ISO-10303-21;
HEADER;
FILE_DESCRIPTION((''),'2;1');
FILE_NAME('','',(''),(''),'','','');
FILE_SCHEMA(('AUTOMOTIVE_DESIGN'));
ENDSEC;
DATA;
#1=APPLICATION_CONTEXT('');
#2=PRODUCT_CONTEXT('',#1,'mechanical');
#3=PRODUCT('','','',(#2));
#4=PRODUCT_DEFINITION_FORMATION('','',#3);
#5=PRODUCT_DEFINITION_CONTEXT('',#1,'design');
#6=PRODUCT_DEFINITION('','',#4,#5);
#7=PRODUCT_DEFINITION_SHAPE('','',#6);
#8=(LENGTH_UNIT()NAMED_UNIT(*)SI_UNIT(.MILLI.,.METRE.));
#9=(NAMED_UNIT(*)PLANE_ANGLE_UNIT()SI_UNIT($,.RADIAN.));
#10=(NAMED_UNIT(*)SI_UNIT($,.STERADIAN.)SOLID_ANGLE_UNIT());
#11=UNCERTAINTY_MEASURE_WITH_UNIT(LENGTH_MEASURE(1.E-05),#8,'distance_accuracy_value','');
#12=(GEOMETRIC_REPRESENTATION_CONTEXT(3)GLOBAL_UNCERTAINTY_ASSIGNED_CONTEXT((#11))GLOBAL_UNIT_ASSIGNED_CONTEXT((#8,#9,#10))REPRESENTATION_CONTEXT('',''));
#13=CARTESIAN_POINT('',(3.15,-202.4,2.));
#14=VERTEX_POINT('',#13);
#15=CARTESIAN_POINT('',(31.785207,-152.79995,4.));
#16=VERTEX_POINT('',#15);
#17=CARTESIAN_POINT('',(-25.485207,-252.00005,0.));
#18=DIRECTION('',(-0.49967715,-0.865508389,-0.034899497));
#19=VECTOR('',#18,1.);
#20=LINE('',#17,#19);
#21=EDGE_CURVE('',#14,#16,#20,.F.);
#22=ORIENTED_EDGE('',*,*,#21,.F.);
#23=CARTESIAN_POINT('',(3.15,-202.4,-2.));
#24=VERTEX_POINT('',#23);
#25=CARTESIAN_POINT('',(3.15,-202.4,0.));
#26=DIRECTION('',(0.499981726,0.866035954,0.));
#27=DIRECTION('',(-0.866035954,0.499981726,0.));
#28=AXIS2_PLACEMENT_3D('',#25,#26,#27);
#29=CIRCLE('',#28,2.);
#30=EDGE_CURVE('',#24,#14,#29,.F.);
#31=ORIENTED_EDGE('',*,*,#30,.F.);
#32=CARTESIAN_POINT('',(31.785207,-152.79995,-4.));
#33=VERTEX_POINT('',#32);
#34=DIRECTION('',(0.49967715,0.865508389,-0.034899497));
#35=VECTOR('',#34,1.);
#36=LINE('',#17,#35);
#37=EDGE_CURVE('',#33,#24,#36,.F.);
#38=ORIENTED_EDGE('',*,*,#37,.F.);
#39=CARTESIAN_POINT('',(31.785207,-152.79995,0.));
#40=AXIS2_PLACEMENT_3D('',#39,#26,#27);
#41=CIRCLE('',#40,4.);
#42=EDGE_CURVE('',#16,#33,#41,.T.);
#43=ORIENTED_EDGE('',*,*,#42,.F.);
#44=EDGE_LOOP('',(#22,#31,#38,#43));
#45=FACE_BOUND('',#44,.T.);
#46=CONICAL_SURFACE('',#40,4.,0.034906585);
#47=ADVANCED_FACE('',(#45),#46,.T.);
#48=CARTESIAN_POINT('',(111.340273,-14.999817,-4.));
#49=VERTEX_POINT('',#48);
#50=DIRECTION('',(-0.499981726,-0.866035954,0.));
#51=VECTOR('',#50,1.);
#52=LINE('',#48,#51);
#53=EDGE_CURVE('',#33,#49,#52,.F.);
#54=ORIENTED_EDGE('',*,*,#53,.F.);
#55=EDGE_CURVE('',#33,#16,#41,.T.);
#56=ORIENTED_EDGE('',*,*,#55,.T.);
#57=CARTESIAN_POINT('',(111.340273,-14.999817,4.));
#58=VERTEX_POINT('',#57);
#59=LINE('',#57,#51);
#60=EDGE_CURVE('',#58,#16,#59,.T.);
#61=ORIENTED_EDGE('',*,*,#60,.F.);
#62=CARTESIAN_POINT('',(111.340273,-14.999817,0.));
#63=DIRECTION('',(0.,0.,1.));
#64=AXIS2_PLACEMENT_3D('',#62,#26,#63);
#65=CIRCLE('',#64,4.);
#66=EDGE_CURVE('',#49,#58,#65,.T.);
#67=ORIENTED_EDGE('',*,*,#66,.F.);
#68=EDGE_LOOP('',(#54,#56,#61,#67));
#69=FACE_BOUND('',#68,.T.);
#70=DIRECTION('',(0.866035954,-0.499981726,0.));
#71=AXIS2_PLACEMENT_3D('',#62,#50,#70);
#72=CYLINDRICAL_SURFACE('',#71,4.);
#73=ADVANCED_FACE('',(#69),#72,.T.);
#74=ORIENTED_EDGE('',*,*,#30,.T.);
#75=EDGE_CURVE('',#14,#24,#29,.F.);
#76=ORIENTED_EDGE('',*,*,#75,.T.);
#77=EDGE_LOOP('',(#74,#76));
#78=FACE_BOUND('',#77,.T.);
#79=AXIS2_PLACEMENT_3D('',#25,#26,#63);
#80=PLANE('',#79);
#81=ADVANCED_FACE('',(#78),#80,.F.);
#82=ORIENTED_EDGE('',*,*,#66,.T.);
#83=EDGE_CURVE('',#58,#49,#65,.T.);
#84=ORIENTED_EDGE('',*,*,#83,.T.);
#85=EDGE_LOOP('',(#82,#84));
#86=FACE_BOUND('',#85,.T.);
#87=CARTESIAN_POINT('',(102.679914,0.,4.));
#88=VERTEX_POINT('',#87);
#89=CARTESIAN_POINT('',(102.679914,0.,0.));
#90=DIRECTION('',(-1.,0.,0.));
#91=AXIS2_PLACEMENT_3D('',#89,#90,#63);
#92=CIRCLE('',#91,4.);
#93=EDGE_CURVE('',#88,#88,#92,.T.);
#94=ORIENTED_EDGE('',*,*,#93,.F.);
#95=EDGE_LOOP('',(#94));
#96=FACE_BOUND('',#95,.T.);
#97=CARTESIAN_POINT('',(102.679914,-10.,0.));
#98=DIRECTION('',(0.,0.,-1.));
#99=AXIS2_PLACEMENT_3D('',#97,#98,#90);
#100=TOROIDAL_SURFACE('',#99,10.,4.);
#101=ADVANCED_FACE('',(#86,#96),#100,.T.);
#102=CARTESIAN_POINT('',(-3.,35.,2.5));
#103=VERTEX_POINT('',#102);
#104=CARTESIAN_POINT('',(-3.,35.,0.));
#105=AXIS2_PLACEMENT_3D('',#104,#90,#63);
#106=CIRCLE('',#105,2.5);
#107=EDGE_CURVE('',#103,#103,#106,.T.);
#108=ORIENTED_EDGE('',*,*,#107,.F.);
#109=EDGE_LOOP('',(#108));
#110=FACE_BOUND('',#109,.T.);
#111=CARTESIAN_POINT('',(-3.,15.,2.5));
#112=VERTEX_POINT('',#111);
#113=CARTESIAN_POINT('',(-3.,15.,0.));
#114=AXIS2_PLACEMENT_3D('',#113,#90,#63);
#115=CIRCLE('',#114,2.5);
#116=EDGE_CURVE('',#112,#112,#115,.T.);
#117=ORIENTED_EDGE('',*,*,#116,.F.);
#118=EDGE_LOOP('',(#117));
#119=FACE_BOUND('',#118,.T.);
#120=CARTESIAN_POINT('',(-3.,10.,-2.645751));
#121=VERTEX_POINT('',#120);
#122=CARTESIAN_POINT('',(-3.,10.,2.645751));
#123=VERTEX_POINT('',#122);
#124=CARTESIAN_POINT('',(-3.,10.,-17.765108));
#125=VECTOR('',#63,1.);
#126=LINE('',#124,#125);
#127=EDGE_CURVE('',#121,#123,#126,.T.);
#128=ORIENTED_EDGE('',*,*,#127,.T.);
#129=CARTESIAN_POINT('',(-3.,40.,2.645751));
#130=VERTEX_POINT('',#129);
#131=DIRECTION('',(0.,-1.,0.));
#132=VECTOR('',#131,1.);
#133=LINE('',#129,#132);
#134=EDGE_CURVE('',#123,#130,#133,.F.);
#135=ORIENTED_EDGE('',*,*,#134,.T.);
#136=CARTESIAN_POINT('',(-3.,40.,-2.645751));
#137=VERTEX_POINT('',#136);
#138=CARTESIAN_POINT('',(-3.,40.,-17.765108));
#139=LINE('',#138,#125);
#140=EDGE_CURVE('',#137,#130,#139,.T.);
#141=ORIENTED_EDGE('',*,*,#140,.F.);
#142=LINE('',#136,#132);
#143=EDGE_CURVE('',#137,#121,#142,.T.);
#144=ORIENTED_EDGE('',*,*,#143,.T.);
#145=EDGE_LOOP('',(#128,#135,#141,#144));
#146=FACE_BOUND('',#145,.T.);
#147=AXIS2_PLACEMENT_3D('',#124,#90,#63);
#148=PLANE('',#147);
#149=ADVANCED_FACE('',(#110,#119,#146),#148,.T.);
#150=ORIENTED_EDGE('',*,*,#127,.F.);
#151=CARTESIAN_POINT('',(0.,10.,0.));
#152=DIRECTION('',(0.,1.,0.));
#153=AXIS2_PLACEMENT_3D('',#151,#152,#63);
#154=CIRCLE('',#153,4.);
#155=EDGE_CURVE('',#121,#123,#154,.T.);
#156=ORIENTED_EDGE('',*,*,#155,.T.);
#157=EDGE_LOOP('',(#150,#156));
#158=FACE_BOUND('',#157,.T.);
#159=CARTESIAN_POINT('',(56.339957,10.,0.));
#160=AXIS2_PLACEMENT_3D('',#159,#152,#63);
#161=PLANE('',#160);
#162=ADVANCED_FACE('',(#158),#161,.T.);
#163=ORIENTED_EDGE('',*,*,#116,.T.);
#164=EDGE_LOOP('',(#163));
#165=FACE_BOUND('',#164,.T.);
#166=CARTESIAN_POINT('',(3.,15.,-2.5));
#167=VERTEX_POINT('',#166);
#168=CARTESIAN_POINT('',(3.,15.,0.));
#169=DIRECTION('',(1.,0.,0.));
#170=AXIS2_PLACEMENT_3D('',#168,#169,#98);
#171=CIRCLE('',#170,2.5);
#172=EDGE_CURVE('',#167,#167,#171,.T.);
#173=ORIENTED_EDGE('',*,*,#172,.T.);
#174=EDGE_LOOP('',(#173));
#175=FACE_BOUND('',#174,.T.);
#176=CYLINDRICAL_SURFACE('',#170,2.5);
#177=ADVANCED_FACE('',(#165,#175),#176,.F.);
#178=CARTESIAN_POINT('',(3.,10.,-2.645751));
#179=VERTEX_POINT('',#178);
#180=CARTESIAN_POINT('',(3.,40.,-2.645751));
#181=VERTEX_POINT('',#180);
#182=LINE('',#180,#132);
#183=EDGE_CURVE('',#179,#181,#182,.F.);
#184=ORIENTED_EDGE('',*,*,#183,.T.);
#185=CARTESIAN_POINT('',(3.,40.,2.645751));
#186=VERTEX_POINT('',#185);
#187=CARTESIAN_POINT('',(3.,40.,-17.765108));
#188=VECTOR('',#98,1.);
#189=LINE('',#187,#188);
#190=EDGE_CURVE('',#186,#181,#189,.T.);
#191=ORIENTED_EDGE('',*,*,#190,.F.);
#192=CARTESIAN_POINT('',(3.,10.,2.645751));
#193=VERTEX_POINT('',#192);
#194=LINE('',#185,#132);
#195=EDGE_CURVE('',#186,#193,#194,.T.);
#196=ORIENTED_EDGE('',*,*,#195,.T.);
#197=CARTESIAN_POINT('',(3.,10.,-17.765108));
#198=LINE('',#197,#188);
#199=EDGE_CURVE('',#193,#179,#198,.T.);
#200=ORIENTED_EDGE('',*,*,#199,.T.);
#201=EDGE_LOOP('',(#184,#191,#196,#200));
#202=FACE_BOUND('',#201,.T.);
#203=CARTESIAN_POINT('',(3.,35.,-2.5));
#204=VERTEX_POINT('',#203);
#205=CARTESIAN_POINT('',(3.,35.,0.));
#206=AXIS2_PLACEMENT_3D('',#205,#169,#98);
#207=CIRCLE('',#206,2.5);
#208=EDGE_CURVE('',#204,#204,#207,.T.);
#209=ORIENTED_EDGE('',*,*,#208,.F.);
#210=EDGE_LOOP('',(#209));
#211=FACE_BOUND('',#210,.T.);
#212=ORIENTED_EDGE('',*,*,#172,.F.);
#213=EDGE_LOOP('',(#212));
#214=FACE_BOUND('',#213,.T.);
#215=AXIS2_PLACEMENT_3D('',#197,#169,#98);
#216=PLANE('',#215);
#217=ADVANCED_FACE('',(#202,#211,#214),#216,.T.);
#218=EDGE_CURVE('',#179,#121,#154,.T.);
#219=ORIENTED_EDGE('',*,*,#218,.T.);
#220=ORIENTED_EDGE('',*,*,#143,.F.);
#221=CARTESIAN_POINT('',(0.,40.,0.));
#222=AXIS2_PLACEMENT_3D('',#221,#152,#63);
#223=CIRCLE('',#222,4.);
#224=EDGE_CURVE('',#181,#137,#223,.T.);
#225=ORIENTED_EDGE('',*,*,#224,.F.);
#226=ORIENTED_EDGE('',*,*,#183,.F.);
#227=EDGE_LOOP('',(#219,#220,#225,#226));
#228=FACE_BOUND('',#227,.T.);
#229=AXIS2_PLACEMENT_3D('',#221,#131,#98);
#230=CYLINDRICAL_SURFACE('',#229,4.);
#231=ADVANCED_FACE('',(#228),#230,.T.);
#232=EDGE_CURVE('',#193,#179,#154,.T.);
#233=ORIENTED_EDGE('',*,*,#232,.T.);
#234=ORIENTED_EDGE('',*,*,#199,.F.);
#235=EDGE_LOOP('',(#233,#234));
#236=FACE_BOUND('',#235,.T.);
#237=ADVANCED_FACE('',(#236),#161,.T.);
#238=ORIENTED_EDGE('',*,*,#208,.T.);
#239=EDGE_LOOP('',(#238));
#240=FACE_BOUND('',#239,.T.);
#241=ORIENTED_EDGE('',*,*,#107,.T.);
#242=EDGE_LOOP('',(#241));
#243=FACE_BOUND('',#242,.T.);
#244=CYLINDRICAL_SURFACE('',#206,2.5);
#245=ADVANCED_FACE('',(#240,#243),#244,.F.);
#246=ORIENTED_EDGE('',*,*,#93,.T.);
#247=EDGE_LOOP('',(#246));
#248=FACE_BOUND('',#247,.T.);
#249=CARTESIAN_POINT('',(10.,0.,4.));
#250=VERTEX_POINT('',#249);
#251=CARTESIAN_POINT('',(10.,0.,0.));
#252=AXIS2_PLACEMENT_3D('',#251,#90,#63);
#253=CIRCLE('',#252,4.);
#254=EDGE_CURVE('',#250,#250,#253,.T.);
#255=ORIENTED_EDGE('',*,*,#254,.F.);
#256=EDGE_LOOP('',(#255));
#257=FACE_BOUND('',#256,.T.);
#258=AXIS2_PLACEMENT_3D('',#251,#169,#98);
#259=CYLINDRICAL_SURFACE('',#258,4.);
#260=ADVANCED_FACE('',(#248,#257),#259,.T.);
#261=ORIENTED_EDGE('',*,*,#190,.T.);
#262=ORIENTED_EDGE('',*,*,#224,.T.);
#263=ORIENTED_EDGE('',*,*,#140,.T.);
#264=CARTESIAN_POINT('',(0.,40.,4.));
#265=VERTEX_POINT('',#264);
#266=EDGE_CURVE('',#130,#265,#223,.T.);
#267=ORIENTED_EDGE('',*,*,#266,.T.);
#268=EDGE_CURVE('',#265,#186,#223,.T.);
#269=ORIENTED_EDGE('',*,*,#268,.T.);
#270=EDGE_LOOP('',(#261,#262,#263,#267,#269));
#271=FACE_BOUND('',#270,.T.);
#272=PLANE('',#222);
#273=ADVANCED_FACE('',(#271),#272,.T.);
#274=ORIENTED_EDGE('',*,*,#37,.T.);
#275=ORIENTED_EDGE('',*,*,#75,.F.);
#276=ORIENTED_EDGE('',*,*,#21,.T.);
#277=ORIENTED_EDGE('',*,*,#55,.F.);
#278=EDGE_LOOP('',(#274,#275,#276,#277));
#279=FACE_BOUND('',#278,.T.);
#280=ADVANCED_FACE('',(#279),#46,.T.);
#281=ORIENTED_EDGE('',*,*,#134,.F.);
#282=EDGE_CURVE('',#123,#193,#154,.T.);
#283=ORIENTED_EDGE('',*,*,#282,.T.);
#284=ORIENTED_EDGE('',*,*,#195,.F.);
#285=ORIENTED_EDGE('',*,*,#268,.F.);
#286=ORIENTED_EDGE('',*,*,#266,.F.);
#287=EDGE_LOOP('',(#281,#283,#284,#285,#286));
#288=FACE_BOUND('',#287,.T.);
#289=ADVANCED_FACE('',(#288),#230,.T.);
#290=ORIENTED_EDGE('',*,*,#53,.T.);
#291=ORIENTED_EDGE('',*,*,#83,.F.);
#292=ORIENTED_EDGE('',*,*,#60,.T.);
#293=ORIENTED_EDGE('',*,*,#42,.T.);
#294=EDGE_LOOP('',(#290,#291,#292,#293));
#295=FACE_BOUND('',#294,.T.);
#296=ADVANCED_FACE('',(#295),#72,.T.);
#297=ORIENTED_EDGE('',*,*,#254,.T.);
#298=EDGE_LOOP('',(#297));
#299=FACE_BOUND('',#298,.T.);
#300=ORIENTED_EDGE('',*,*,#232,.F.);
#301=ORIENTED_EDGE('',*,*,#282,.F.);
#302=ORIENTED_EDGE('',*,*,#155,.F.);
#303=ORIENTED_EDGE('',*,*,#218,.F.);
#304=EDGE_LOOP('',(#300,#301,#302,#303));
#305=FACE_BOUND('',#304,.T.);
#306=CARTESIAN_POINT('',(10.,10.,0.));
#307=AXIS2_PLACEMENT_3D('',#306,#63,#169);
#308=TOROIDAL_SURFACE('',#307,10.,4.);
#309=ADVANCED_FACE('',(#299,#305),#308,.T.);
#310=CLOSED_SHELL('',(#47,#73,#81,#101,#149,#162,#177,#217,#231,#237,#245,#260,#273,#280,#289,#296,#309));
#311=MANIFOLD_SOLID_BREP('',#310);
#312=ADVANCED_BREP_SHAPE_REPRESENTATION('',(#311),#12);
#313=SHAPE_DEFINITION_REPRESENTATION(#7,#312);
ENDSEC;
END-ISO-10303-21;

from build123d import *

# Parameters (mm, degrees)
SKETCH3_R             = 4
CHAMFER1_SIZE         = 2
CHAMFER1_SIZE2        = 57.272506566
SKETCH4_OUTSIDE_W     = 177.038
SKETCH4_OUTSIDE_H     = 64.358
SKETCH4_OUTSIDE_W_2   = 6
SKETCH4_OUTSIDE_H_2   = 35.530215116
EXTRUDE1_DEPTH        = 30
M6_TAPPED_HOLE1_D     = 5
M6_TAPPED_HOLE1_DEPTH = 9
M6_TAPPED_HOLE1_TIP   = 1.502151548


with BuildPart() as part:
    # Sweep1: sweep along a path in Sketch1
    with BuildLine(Plane.XY) as sweep1_path:
        Line((0, 40), (0, 10))
        ThreePointArc((0, 10), (2.928932188, 2.928932188), (10, 0))
        Line((10, 0), (102.679913944, 0))
        ThreePointArc((102.679913944, 0), (111.340115228, -4.999908629), (111.340273486, -14.999817256))
        Line((111.340273486, -14.999817256), (3.15, -202.4))
    # Sketch3 → Sweep1 (sweep)
    with BuildSketch(Plane(origin=(0, 40, 0), x_dir=(1, 0, 0), z_dir=(0, 1, 0))):
        Circle(SKETCH3_R)
    sweep(path=sweep1_path.line)

    # Chamfer1
    chamfer1_edges = [part.edges().sort_by_distance(p)[0] for p in [
        (-0.314143817, -200.400073098, 0),
    ]]
    chamfer1_side = [part.faces().sort_by_distance(p)[0] for p in [
        (3.15, -202.4, 0),
    ]]
    chamfer(chamfer1_edges, length=CHAMFER1_SIZE, length2=CHAMFER1_SIZE2, reference=chamfer1_side[0])

    # Sketch4 outside → Extrude1 (cut)
    with BuildSketch(Plane(origin=(0, 40, 0), x_dir=(1, 0, 0), z_dir=(0, 1, 0))):
        with Locations((56.34, 0)):
            Rectangle(SKETCH4_OUTSIDE_W, SKETCH4_OUTSIDE_H)
        Rectangle(SKETCH4_OUTSIDE_W_2, SKETCH4_OUTSIDE_H_2, mode=Mode.SUBTRACT)
    extrude(amount=-EXTRUDE1_DEPTH, mode=Mode.SUBTRACT)

    # M6 Tapped Hole1
    with Locations(Plane(origin=(3, 0, 0), x_dir=(0, 0, -1), z_dir=(1, 0, 0))):
        with Locations((0, 35), (0, 15)):
            Hole(M6_TAPPED_HOLE1_D / 2, depth=M6_TAPPED_HOLE1_DEPTH)
            with Locations((0, 0, -(M6_TAPPED_HOLE1_DEPTH + M6_TAPPED_HOLE1_TIP / 2))):  # 118° drill point
                Cone(0, M6_TAPPED_HOLE1_D / 2, M6_TAPPED_HOLE1_TIP, mode=Mode.SUBTRACT)


solid = part.part
